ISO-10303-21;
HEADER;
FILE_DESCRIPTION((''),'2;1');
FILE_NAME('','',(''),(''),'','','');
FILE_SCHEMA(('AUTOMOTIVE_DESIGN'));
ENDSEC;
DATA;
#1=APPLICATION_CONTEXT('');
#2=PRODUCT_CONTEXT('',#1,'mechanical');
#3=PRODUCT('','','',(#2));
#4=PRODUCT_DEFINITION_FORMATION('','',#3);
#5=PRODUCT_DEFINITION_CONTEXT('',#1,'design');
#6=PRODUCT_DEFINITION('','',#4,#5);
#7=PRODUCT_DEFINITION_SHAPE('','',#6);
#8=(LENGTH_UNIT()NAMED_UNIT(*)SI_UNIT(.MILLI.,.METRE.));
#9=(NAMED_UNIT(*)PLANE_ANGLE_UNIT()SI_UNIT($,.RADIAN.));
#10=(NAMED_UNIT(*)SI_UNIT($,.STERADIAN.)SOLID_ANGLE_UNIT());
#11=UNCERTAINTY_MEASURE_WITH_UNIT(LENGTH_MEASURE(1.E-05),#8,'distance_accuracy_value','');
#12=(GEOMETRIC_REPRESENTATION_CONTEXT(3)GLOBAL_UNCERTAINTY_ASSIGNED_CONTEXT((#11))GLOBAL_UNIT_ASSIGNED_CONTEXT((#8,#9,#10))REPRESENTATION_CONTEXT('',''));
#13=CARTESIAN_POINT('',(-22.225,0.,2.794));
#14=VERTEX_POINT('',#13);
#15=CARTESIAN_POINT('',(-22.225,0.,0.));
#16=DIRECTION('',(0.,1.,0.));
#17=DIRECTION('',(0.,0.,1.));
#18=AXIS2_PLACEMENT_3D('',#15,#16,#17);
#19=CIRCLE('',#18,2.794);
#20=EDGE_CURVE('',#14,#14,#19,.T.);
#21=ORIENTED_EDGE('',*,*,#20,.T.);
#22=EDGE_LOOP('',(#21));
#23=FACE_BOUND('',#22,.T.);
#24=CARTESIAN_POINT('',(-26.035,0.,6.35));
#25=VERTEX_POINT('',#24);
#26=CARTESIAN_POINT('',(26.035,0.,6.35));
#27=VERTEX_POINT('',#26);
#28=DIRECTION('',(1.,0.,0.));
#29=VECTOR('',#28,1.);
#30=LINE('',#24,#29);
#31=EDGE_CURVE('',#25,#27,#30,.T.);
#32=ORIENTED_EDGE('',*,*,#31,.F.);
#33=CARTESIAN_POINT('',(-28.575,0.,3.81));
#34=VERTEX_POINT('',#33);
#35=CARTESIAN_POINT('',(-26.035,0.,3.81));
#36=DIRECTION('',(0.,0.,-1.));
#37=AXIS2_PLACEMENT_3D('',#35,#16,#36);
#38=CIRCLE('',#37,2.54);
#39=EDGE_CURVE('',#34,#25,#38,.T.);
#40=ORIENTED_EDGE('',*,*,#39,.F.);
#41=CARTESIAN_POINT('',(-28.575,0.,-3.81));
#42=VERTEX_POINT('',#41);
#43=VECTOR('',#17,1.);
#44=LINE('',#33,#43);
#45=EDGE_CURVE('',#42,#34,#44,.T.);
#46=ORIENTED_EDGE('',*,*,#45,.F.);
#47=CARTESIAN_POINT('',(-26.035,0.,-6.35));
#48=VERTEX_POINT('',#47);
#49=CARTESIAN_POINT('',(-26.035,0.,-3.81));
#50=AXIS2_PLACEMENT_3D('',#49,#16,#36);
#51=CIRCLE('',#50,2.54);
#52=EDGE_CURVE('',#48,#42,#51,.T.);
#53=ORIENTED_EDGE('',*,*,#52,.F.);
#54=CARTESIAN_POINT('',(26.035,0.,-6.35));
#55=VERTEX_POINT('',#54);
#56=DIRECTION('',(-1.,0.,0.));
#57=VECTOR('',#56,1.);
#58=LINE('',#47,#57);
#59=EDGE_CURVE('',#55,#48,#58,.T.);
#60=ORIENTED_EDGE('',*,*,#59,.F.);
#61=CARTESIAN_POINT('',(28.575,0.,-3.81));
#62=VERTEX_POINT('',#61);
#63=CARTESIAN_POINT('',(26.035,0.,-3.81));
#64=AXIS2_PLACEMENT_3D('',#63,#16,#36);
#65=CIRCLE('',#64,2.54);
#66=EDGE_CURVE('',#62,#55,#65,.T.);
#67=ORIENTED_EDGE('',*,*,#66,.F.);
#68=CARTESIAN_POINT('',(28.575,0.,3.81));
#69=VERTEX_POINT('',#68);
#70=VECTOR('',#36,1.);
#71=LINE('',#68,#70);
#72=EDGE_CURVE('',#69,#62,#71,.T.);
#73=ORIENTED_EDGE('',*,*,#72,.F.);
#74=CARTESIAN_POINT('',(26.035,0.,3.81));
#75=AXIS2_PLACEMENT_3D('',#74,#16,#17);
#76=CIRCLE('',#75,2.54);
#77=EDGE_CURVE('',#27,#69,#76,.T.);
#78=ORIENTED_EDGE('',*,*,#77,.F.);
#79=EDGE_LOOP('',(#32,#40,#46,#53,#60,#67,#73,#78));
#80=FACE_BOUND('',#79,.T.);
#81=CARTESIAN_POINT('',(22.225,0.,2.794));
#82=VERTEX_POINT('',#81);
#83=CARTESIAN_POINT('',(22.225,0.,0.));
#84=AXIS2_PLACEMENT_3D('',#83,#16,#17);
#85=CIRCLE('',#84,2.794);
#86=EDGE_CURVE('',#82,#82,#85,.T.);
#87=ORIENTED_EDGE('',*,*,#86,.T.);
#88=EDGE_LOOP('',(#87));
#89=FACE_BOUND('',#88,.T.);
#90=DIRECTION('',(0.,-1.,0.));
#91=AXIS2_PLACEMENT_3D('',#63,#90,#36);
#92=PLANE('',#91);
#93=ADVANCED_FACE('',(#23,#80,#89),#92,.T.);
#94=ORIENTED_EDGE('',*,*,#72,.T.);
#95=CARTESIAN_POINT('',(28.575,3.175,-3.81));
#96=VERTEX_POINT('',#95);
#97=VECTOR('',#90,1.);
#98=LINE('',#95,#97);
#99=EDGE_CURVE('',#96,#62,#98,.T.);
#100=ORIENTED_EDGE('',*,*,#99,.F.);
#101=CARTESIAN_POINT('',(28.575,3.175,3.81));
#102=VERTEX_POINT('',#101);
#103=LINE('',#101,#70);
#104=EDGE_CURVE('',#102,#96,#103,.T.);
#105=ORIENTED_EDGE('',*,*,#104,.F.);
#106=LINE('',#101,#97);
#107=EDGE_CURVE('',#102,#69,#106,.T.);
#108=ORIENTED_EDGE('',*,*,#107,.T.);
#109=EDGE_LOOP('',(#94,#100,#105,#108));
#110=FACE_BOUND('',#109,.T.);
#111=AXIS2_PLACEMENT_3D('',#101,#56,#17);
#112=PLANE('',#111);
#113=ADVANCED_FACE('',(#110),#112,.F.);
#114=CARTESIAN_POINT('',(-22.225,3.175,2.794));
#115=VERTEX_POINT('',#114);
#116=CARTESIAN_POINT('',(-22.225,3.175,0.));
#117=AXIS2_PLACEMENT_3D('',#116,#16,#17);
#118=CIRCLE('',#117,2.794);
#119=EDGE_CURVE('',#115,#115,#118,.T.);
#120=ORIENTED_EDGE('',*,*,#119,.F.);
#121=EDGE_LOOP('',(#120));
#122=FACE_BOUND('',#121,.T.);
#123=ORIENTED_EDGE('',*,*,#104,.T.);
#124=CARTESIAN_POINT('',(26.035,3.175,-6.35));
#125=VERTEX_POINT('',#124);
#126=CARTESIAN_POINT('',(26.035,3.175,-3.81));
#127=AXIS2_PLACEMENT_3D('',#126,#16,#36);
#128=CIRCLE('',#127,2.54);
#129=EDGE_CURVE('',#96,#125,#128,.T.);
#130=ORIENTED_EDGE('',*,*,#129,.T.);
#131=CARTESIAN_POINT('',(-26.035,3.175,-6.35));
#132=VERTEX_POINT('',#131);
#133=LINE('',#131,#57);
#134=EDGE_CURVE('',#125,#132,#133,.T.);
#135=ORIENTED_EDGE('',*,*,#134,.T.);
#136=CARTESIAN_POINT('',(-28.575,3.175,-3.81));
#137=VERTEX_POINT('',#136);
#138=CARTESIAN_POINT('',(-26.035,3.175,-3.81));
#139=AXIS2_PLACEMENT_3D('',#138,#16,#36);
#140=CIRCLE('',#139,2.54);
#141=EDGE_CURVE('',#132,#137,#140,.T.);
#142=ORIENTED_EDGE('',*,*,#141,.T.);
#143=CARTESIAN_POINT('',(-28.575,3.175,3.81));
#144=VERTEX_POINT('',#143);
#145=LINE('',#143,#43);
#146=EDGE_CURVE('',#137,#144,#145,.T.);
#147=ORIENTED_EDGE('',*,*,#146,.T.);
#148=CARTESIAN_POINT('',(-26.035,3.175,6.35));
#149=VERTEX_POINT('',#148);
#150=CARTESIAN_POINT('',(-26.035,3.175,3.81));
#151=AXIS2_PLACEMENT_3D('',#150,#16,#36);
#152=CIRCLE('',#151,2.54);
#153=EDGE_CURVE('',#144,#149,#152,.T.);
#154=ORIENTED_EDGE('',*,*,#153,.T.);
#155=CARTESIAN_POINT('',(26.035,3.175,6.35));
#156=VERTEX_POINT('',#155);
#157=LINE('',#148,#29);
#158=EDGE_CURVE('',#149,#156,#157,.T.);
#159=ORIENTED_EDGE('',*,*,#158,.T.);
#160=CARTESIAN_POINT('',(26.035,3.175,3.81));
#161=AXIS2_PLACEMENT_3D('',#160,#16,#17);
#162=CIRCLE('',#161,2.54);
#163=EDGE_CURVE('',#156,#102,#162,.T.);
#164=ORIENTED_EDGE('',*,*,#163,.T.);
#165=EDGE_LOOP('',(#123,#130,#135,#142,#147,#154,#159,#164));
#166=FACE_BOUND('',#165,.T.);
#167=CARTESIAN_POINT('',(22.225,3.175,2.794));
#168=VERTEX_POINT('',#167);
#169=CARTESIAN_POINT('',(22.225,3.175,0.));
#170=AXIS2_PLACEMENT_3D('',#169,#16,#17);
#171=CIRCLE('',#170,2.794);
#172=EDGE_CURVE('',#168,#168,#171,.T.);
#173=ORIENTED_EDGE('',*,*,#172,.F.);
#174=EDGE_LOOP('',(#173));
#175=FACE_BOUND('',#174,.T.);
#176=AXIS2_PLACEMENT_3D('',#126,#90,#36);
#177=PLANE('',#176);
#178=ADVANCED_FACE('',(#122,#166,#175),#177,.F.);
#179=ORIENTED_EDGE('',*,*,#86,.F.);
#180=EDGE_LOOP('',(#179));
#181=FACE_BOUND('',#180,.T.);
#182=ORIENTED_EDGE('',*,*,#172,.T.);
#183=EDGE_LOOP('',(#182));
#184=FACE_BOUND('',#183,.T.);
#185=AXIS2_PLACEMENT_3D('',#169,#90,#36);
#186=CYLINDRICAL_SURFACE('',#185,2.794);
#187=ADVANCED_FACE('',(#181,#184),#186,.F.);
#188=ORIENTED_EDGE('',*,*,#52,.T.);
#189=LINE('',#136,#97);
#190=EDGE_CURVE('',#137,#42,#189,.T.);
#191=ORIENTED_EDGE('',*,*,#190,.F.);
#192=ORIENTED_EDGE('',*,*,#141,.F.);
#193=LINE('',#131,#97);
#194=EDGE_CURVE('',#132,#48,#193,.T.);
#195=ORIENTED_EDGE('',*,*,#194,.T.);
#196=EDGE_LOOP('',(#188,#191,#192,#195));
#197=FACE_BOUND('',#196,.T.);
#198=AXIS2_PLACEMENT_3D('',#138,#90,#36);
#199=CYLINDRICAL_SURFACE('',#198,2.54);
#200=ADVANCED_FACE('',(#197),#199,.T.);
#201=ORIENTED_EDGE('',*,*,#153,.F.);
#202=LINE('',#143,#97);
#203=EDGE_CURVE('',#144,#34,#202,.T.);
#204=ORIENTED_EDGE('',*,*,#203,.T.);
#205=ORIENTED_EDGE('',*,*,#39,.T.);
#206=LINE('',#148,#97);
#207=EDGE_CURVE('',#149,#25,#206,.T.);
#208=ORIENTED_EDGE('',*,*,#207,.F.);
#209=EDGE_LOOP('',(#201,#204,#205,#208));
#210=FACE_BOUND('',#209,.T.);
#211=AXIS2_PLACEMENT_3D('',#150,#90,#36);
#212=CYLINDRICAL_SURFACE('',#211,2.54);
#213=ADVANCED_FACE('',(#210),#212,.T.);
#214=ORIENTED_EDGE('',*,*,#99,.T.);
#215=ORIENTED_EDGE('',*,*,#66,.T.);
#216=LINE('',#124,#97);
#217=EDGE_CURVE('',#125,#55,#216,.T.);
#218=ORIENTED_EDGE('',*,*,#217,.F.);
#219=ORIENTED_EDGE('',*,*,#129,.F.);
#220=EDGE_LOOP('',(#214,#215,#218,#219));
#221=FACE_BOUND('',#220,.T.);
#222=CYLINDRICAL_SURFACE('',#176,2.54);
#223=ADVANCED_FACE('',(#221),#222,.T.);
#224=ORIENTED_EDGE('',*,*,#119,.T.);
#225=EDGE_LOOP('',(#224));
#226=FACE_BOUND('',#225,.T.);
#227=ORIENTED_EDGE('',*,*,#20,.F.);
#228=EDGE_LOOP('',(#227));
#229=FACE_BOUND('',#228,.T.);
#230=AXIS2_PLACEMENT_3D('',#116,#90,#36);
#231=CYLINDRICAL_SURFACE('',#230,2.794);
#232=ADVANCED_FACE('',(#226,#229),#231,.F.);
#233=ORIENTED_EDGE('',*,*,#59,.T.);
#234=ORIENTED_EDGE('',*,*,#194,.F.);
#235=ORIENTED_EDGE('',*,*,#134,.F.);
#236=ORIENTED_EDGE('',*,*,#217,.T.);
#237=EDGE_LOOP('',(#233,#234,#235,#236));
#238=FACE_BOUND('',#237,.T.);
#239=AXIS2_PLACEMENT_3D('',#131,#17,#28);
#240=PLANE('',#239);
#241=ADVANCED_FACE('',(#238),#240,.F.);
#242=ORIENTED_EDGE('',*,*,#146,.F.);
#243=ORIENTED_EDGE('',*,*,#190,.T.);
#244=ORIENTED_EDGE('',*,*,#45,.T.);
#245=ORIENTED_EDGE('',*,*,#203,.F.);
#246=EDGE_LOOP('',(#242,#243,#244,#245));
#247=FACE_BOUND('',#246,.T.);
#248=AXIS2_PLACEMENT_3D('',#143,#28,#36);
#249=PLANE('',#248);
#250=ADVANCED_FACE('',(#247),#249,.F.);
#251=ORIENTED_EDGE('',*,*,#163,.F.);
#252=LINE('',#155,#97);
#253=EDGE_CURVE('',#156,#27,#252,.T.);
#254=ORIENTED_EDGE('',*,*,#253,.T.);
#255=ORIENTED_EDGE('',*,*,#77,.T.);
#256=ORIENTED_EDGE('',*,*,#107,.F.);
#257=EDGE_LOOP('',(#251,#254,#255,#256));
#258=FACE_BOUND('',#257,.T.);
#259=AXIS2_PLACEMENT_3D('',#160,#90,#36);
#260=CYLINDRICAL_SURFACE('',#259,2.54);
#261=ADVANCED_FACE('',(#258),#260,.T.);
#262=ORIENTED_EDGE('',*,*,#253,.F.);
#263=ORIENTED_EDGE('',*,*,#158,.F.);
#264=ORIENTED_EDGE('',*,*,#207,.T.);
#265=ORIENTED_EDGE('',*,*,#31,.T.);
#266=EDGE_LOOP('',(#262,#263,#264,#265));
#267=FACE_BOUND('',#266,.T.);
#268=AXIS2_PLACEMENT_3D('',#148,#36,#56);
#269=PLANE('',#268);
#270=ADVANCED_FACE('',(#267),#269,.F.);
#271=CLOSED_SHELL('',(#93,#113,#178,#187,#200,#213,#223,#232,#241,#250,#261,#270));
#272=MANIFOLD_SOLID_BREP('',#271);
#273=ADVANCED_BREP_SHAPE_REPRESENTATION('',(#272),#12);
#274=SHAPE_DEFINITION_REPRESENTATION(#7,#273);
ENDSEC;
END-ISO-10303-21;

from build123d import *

# Parameters (mm, degrees)
SKETCH1_R           = 2.794
BOSS_EXTRUDE1_DEPTH = 3.175


with BuildPart() as part:
    # Sketch1 → Boss-Extrude1 (new body)
    with BuildSketch(Plane(origin=(0, 0, 0), x_dir=(1, 0, 0), z_dir=(0, 1, 0))):
        with BuildLine():
            Line((-26.035, -6.35), (26.035, -6.35))
            ThreePointArc((26.035, -6.35), (27.831051224, -5.606051224), (28.575, -3.81))
            Line((28.575, -3.81), (28.575, 3.81))
            ThreePointArc((28.575, 3.81), (27.831051224, 5.606051224), (26.035, 6.35))
            Line((26.035, 6.35), (-26.035, 6.35))
            ThreePointArc((-26.035, 6.35), (-27.831051224, 5.606051224), (-28.575, 3.81))
            Line((-28.575, 3.81), (-28.575, -3.81))
            ThreePointArc((-28.575, -3.81), (-27.831051224, -5.606051224), (-26.035, -6.35))
        make_face()
        with Locations((-22.225, 0)):
            Circle(SKETCH1_R, mode=Mode.SUBTRACT)
        with Locations((22.225, 0)):
            Circle(SKETCH1_R, mode=Mode.SUBTRACT)
    extrude(amount=BOSS_EXTRUDE1_DEPTH)


solid = part.part
